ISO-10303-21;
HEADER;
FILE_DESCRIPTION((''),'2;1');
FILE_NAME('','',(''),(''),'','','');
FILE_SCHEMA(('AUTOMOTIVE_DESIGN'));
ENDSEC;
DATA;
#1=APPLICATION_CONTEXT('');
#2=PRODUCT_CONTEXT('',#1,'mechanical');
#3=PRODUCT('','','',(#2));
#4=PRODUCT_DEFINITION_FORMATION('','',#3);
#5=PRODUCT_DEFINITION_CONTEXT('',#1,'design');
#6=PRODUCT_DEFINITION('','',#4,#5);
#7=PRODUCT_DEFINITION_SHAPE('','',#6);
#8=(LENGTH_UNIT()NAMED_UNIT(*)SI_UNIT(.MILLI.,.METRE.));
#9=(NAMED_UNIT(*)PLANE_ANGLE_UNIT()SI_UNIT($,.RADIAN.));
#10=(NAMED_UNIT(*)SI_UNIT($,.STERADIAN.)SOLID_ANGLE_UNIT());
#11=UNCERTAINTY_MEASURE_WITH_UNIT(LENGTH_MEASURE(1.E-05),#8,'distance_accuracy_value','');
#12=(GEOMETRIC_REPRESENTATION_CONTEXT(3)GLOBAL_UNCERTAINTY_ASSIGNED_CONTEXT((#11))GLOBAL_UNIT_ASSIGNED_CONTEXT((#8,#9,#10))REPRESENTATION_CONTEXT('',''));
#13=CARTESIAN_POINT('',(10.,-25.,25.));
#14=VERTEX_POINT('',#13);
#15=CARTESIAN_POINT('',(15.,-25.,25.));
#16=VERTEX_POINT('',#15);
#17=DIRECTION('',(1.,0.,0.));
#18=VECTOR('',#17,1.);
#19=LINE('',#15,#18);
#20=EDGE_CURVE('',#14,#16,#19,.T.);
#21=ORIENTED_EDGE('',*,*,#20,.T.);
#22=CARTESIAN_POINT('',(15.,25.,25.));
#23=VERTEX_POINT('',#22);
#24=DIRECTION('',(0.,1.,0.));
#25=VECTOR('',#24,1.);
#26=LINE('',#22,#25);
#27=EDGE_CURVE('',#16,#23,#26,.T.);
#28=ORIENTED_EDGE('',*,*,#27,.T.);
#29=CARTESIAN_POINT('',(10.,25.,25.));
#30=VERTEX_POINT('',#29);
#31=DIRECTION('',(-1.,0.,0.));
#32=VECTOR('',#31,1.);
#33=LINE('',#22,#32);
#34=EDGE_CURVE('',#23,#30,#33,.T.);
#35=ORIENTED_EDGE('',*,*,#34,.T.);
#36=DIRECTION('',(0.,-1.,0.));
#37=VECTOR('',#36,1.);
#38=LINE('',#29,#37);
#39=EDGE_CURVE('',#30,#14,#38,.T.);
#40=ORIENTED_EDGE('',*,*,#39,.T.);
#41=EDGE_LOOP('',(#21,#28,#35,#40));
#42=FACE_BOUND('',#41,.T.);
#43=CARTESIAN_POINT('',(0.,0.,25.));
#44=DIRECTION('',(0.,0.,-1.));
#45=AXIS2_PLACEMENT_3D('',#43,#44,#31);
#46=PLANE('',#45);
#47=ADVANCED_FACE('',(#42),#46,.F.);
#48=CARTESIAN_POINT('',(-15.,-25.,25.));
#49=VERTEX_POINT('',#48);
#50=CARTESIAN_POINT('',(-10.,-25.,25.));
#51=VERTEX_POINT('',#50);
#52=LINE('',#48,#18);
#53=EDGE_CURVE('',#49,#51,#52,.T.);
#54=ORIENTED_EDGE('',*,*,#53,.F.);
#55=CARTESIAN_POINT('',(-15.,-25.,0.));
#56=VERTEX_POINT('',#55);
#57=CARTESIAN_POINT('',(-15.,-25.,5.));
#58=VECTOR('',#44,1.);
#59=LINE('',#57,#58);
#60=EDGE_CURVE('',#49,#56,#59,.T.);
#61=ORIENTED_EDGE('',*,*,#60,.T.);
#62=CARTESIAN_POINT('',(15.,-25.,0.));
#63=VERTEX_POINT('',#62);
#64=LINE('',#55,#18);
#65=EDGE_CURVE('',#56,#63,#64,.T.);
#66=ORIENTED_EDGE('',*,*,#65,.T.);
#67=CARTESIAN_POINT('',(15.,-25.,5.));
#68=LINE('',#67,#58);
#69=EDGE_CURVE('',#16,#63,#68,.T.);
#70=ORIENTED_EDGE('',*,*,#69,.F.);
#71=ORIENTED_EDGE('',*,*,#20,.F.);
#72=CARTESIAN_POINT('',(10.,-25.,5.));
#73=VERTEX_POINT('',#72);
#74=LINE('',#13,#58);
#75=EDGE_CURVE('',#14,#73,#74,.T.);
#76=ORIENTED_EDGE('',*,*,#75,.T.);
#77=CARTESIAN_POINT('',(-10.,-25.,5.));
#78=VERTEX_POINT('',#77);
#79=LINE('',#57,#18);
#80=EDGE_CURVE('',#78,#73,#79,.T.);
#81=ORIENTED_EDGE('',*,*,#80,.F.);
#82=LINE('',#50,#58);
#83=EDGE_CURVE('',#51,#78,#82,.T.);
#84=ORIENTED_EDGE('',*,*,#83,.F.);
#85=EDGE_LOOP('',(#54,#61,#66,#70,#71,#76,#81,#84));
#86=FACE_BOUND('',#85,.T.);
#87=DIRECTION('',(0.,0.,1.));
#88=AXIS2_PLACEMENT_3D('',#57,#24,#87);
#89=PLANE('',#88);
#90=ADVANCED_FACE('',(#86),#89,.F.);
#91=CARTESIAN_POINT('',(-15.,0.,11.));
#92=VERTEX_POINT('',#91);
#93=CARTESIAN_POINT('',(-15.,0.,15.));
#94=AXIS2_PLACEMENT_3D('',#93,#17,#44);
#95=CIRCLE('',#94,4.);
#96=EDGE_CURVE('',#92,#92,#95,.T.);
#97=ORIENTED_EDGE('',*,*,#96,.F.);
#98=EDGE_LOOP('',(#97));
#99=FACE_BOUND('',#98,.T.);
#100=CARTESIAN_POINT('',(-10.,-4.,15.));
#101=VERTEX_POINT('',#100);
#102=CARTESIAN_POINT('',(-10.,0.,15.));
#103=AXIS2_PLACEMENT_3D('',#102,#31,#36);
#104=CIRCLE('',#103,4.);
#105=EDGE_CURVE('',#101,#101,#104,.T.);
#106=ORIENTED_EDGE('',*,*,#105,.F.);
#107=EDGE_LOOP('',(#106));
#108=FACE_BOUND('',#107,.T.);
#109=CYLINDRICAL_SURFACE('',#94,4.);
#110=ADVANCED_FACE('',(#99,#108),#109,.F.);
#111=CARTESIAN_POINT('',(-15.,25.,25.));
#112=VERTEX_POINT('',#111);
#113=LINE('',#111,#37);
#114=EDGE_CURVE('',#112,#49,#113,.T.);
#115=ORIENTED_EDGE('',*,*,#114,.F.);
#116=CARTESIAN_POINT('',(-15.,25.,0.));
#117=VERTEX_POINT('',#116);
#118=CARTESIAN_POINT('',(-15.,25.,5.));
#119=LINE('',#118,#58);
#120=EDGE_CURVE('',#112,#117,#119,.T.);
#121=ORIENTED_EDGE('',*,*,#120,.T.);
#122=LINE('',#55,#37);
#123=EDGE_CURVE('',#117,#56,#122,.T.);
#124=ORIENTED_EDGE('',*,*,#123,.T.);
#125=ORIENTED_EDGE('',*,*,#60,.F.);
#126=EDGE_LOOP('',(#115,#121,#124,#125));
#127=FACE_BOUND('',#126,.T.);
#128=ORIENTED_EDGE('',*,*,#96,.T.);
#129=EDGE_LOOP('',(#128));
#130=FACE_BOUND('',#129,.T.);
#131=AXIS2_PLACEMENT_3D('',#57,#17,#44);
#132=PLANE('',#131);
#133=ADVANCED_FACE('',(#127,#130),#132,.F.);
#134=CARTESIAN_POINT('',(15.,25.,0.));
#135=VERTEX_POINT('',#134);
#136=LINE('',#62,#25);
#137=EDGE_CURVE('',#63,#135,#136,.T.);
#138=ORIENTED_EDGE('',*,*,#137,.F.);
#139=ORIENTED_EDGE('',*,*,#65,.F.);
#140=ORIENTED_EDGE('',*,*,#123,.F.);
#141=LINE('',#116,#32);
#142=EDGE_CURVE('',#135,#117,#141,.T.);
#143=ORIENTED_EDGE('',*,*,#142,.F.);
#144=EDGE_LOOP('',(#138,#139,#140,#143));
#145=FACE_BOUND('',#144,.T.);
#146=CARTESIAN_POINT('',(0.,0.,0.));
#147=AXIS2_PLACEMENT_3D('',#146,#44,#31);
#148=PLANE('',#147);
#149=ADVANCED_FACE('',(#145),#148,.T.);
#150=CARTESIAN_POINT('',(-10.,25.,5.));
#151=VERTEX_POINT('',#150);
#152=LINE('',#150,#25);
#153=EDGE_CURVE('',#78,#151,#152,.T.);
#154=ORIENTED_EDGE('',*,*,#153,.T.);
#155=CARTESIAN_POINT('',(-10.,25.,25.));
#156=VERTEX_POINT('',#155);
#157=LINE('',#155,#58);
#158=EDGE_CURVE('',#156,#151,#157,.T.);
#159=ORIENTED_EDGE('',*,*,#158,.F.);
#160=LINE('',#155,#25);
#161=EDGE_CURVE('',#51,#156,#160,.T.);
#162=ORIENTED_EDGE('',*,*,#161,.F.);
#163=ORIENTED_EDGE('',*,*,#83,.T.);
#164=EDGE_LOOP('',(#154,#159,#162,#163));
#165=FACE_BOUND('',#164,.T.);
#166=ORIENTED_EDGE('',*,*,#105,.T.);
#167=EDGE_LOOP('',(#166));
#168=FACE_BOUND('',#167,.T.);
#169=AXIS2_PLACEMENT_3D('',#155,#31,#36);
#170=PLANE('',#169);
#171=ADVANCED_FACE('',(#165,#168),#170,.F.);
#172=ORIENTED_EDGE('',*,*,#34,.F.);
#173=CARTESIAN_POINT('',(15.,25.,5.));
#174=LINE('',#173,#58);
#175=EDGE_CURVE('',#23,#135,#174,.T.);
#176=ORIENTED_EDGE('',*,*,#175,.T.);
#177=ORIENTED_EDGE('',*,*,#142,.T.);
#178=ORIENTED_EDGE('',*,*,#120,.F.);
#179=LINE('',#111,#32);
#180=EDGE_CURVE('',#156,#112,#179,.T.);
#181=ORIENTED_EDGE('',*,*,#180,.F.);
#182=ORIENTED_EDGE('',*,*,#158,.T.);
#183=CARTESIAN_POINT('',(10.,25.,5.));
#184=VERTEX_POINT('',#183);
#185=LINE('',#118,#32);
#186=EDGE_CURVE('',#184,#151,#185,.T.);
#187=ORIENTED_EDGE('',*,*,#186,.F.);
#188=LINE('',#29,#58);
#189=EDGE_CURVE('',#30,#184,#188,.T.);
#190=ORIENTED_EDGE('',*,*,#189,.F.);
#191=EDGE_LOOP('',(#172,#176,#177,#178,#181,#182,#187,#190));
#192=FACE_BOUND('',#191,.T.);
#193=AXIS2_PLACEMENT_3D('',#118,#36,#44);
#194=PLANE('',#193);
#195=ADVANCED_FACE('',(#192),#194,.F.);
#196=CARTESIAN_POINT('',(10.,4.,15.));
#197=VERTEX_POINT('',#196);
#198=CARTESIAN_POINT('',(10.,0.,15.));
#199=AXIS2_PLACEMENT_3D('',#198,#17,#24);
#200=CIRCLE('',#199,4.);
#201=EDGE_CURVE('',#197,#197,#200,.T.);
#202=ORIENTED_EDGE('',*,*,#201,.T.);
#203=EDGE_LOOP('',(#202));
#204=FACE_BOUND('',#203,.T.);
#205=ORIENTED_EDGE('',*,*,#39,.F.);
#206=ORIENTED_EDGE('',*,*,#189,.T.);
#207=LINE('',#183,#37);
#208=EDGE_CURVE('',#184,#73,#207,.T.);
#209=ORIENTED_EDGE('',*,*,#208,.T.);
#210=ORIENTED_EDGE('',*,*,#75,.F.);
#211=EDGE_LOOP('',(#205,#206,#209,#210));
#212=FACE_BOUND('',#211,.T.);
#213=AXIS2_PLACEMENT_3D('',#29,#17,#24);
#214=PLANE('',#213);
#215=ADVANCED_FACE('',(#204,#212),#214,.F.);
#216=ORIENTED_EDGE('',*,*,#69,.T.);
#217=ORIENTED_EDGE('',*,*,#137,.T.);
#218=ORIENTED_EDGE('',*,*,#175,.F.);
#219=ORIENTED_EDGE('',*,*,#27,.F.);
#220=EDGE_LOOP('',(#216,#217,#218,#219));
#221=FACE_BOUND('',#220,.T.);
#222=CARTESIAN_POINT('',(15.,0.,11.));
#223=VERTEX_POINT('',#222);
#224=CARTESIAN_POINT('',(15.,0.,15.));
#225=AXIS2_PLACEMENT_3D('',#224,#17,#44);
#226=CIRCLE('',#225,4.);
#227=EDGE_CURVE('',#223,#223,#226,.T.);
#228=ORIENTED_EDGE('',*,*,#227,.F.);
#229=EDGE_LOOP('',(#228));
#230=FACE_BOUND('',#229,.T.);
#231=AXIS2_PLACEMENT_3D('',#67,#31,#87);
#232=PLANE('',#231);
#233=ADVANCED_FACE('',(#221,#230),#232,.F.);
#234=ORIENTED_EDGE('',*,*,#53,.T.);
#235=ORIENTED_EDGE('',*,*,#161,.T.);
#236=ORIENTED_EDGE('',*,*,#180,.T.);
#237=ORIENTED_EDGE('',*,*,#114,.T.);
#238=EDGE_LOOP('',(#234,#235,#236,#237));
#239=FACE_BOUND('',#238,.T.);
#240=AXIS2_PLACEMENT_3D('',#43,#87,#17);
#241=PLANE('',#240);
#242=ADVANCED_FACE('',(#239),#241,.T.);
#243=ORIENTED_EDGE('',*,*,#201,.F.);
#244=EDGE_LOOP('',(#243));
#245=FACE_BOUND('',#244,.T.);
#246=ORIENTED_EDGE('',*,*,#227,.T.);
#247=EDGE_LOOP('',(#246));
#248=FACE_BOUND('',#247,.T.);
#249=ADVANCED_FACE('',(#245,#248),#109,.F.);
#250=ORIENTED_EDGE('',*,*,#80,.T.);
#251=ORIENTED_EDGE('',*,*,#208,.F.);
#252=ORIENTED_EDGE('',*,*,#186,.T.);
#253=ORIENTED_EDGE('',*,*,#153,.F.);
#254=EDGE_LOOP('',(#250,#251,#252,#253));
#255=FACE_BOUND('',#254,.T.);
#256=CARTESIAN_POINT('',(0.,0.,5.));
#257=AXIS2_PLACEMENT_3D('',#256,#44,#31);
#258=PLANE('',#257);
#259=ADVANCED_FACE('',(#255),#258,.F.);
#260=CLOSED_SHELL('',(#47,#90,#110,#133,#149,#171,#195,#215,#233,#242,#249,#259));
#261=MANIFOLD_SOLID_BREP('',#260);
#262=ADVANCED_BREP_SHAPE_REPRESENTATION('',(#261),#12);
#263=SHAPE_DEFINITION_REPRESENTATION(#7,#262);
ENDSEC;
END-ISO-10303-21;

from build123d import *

# Parameters (mm, degrees)
SKETCH1_W           = 30
SKETCH1_H           = 50
BOSS_EXTRUDE1_DEPTH = 5
SKETCH2_W           = 5
SKETCH2_H           = 50
BOSS_EXTRUDE2_DEPTH = 20
SKETCH3_R           = 4
CUT_EXTRUDE1_DEPTH  = 47.368092477


with BuildPart() as part:
    # Sketch1 → Boss-Extrude1 (new body)
    with BuildSketch(Plane.XY):
        Rectangle(SKETCH1_W, SKETCH1_H)
    extrude(amount=BOSS_EXTRUDE1_DEPTH)

    # Sketch2 → Boss-Extrude2 (add)
    with BuildSketch(Plane.XY.offset(5)):
        with Locations((-12.5, 0)):
            Rectangle(SKETCH2_W, SKETCH2_H)
        with Locations((12.5, 0)):
            Rectangle(SKETCH2_W, SKETCH2_H)
    extrude(amount=BOSS_EXTRUDE2_DEPTH)

    # Sketch3 → Cut-Extrude1 (cut, through all)
    with BuildSketch(Plane(origin=(15, 0, 0), x_dir=(0, 0, -1), z_dir=(1, 0, 0))):
        with Locations((-15, 0)):
            Circle(SKETCH3_R)
    extrude(amount=-CUT_EXTRUDE1_DEPTH, mode=Mode.SUBTRACT)


solid = part.part
